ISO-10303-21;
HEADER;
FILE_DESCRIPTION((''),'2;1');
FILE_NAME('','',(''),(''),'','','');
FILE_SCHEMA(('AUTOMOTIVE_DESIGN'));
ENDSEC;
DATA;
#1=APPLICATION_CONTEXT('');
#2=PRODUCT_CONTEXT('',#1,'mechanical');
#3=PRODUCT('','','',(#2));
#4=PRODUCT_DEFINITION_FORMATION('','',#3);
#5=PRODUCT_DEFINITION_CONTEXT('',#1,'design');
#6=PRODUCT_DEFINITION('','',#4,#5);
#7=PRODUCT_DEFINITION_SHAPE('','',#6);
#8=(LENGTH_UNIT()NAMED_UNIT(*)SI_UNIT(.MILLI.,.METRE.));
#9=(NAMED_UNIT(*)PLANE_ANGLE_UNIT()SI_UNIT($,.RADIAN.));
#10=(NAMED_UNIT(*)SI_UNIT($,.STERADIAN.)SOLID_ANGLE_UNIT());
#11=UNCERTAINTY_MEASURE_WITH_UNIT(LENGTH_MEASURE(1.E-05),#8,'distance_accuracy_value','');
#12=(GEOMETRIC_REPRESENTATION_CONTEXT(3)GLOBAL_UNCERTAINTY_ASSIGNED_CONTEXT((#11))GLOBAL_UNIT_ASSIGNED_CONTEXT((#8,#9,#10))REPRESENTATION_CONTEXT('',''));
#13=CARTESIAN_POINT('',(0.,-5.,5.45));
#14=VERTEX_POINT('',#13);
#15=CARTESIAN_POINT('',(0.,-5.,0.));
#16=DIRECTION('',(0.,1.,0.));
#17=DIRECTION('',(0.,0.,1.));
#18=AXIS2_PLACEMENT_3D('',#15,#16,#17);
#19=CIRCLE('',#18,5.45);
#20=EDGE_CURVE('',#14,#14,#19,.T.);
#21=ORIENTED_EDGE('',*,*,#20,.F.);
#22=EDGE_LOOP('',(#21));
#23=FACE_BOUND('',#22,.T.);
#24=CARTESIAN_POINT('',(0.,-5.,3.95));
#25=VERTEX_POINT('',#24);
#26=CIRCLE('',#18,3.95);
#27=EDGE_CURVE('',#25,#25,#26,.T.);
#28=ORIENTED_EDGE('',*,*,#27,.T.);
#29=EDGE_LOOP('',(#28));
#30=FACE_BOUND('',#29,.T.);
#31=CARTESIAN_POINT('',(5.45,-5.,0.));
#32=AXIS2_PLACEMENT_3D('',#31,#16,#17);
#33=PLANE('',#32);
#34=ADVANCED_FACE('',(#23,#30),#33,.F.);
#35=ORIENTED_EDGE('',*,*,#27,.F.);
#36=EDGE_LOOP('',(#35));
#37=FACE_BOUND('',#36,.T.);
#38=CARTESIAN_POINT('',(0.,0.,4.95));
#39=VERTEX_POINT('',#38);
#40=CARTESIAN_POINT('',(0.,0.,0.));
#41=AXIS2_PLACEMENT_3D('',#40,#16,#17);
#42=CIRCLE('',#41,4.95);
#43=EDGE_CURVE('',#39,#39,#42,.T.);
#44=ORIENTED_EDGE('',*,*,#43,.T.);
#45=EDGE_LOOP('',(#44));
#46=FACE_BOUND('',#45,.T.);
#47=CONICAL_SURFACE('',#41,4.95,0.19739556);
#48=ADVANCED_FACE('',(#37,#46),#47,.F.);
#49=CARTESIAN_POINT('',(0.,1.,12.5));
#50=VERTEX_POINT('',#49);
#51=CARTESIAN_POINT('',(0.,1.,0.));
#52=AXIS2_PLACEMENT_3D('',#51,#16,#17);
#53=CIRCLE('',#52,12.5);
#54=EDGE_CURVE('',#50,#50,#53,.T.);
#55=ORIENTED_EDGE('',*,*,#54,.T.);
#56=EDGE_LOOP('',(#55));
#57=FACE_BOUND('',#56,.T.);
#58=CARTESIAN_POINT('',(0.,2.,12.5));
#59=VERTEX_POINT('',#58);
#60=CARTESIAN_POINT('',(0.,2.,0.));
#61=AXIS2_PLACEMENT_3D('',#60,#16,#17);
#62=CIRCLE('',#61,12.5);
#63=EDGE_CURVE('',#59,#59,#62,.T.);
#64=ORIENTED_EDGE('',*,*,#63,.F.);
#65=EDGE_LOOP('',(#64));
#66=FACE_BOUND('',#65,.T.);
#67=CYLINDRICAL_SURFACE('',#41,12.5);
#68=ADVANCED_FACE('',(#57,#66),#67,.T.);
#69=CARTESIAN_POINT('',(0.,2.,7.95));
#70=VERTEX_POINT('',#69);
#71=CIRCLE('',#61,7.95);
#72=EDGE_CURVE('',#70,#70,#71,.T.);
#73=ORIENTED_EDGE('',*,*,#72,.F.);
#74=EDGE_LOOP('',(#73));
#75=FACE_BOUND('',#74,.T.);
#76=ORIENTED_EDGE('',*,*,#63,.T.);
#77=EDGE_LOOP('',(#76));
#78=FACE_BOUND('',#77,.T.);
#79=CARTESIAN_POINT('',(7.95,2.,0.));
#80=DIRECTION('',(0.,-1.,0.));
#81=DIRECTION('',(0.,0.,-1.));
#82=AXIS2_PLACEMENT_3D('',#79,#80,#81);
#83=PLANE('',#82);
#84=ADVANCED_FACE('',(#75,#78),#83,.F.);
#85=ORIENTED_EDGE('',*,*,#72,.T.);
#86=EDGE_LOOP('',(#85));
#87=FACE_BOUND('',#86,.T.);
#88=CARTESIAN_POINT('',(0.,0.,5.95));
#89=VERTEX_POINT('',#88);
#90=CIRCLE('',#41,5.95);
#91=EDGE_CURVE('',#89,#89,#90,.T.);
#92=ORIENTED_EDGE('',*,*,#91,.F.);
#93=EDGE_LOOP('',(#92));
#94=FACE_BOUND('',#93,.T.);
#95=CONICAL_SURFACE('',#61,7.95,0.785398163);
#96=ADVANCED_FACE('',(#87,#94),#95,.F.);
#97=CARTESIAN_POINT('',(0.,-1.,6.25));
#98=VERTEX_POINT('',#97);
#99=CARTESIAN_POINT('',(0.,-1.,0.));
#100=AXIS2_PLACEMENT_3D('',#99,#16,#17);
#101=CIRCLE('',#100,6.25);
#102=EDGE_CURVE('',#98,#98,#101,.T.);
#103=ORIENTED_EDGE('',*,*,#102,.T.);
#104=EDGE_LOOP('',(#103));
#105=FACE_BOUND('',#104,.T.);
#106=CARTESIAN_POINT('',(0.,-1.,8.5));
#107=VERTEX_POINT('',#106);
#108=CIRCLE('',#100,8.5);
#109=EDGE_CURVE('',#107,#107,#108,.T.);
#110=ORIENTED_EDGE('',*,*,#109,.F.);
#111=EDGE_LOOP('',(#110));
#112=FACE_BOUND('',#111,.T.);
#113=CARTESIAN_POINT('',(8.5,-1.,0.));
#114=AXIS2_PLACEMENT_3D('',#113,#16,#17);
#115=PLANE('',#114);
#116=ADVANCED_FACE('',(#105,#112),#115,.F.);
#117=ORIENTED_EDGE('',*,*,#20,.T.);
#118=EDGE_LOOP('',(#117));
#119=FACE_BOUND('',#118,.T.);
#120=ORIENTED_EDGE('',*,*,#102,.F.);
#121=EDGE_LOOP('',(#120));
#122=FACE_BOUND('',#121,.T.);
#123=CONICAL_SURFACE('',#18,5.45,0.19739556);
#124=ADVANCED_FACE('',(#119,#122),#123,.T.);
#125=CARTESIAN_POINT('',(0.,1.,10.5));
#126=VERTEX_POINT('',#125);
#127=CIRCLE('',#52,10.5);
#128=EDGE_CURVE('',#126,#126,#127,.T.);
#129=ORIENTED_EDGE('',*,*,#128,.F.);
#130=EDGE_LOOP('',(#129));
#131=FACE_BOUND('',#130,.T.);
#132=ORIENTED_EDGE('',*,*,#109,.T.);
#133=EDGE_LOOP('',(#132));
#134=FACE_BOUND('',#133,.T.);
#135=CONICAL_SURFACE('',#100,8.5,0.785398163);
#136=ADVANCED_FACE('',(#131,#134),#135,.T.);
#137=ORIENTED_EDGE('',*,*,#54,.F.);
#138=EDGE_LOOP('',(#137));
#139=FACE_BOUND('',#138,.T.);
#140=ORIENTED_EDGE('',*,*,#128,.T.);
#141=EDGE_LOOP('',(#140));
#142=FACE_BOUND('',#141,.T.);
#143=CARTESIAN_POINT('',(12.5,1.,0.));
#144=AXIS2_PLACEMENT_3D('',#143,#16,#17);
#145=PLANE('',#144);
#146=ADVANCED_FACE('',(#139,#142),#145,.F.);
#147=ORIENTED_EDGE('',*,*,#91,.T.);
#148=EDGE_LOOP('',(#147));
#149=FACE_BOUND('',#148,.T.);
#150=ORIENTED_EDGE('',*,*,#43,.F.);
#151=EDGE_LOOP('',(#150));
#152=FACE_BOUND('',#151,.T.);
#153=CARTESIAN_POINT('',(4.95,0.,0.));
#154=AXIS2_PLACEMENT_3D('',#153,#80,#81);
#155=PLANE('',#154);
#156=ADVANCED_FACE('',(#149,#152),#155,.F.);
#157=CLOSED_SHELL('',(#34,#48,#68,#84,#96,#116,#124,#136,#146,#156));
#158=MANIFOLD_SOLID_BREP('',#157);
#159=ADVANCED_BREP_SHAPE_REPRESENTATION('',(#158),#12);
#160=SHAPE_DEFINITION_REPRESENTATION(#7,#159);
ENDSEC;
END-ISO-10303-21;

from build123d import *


with BuildPart() as part:
    # Sketch1 → Revolve1 (revolve)
    with BuildSketch(Plane.XY):
        Polygon((4.95, 0), (5.95, 0), (7.95, 2), (12.5, 2), (12.5, 1), (10.5, 1), (8.5, -1), (6.25, -1), (5.45, -5), (3.95, -5), align=None)
    revolve(axis=Axis((0, 0, 0), (0, -1, 0)))


solid = part.part
